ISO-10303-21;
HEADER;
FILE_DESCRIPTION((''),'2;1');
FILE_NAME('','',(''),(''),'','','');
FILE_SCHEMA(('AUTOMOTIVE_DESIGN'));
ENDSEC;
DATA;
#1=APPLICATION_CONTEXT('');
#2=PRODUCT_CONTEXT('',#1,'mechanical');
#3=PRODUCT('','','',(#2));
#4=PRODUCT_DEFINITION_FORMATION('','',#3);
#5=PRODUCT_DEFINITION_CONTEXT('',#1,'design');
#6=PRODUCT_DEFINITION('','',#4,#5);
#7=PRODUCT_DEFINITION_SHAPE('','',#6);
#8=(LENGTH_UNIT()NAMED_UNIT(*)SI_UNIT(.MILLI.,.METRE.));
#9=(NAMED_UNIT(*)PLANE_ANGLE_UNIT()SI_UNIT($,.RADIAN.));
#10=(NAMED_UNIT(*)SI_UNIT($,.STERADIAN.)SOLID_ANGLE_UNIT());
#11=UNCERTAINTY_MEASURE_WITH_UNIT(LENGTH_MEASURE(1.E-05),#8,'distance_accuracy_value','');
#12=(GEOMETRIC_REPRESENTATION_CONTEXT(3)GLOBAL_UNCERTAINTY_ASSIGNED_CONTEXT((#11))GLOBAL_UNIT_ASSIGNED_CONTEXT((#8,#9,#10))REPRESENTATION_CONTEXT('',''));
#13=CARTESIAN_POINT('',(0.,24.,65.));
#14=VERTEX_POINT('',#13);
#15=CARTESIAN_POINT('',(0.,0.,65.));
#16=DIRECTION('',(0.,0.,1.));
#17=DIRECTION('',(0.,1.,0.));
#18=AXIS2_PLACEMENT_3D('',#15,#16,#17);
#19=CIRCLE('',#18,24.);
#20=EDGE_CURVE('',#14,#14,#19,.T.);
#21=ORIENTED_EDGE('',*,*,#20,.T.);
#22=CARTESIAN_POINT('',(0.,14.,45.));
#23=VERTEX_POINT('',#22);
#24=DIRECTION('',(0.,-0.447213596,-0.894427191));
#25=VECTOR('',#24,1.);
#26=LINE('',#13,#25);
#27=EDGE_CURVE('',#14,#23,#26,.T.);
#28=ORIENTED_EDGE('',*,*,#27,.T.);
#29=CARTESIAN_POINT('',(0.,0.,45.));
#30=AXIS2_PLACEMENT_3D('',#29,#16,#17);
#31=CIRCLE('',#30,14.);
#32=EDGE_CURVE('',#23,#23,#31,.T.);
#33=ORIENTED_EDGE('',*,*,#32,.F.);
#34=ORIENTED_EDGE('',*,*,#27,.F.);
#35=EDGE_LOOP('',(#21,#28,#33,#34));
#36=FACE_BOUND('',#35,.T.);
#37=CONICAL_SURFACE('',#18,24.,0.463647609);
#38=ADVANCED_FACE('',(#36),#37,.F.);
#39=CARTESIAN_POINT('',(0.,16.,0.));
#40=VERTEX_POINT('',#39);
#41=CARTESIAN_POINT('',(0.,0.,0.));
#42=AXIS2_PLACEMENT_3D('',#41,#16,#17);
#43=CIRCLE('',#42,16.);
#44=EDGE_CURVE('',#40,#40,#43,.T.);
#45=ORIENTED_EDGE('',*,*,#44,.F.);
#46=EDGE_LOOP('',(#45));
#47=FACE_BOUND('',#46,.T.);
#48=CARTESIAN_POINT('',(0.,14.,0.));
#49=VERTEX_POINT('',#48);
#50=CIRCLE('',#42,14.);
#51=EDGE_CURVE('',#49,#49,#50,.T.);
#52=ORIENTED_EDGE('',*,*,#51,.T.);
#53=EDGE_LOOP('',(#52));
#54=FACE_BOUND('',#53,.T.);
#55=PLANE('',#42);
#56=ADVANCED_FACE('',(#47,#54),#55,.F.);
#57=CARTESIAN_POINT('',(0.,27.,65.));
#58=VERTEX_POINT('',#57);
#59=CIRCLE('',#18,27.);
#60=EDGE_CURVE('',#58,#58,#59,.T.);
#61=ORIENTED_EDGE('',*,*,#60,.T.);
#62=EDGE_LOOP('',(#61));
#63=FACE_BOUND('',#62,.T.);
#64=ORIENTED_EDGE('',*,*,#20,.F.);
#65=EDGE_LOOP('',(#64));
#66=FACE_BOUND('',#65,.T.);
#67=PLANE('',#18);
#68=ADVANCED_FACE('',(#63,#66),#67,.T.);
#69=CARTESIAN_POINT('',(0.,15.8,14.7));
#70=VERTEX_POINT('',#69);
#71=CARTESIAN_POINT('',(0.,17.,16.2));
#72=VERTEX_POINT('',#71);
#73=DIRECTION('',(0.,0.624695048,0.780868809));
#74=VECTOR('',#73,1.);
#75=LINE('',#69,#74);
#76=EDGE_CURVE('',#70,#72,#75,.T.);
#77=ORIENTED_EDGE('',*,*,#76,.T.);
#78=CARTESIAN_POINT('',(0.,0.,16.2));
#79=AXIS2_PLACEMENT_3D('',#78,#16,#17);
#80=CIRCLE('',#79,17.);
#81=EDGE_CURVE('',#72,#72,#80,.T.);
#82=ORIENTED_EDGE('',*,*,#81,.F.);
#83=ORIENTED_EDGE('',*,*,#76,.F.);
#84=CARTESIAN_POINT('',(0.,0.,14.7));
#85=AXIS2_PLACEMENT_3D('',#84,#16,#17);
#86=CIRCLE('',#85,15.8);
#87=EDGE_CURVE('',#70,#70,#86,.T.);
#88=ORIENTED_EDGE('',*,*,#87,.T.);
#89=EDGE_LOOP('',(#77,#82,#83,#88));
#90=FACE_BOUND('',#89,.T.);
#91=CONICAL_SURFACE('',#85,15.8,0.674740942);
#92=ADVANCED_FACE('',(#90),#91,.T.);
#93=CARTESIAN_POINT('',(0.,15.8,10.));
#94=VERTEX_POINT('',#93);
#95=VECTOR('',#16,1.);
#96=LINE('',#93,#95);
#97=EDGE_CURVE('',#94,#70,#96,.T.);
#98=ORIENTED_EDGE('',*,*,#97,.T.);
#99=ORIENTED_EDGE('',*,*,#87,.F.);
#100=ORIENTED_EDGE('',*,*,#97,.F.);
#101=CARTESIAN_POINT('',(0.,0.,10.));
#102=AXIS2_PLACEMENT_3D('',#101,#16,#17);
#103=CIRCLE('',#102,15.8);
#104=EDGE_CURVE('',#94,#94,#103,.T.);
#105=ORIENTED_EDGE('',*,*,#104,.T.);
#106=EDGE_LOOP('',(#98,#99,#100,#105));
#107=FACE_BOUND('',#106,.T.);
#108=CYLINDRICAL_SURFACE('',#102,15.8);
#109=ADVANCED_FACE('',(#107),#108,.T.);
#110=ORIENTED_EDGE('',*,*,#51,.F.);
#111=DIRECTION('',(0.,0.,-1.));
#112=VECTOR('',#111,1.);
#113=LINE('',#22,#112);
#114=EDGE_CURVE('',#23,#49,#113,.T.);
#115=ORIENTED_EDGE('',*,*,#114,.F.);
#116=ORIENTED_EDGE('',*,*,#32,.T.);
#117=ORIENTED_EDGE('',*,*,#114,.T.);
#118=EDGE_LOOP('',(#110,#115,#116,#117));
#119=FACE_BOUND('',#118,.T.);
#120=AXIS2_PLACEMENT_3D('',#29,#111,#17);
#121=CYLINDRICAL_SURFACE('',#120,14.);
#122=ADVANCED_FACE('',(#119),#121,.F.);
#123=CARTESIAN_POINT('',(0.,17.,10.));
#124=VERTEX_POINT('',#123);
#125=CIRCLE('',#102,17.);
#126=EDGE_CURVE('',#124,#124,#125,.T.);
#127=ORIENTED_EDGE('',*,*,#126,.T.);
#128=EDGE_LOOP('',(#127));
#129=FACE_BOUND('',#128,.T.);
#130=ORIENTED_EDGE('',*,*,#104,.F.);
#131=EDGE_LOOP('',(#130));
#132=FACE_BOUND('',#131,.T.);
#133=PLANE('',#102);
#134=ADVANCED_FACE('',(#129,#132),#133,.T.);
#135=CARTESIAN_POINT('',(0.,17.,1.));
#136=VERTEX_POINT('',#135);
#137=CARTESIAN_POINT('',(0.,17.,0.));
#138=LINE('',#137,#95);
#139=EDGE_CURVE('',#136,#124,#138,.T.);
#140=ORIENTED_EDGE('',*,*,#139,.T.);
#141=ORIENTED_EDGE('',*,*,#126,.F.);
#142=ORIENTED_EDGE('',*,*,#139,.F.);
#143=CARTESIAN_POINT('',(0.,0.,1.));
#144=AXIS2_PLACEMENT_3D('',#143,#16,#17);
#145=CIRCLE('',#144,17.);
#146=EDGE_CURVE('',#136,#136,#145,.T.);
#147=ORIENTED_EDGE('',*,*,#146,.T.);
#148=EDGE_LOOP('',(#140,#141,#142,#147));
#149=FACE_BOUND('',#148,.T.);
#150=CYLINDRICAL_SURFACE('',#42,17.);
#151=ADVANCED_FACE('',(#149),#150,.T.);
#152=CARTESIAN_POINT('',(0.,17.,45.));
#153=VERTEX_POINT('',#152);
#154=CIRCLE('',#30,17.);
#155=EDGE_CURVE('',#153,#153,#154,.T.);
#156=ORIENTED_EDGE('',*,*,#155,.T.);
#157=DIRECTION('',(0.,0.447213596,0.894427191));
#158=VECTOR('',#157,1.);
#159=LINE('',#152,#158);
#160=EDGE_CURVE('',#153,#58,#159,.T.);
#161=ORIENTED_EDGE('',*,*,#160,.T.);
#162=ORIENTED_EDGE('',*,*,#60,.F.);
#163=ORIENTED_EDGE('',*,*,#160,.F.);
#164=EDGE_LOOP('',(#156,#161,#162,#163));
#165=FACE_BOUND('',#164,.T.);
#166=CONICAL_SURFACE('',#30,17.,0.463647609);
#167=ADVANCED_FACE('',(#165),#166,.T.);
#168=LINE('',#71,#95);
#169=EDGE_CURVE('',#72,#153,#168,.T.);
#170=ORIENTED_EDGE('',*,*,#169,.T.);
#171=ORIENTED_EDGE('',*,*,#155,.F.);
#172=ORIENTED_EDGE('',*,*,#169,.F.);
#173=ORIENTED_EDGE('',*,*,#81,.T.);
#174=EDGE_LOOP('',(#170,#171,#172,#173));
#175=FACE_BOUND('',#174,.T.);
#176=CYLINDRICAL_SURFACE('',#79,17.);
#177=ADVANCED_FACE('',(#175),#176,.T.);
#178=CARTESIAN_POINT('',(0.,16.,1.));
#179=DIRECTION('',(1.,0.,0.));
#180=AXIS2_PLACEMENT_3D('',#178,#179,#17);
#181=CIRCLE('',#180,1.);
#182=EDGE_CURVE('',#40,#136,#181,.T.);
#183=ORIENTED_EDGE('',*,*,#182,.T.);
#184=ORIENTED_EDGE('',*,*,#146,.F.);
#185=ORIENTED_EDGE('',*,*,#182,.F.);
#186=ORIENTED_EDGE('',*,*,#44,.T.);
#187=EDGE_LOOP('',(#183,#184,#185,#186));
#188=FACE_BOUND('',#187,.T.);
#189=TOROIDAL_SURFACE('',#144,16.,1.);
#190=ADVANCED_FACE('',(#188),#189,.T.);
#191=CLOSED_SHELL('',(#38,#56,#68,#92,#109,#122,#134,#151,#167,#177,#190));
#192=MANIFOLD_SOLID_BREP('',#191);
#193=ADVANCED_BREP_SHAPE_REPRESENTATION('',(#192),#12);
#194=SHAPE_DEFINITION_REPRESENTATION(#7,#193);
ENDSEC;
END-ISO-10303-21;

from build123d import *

# Parameters (mm, degrees)
F2_R = 1


with BuildPart() as f1:
    # F0 (on Right) → F1 (revolve)
    with BuildSketch(Plane.YZ):
        Polygon((14, 45), (14, 0), (17, 0), (17, 10), (15.8, 10), (15.8, 14.7), (17, 16.2), (17, 45), (27, 65), (24, 65), align=None)
    revolve(axis=Axis((0, 0, 22.5), (0, 0, 1)))

    # F2
    f2_edges = [f1.edges().sort_by_distance(p)[0] for p in [
        (0, -17, 0),
    ]]
    fillet(f2_edges, radius=F2_R)


solid = f1.part
